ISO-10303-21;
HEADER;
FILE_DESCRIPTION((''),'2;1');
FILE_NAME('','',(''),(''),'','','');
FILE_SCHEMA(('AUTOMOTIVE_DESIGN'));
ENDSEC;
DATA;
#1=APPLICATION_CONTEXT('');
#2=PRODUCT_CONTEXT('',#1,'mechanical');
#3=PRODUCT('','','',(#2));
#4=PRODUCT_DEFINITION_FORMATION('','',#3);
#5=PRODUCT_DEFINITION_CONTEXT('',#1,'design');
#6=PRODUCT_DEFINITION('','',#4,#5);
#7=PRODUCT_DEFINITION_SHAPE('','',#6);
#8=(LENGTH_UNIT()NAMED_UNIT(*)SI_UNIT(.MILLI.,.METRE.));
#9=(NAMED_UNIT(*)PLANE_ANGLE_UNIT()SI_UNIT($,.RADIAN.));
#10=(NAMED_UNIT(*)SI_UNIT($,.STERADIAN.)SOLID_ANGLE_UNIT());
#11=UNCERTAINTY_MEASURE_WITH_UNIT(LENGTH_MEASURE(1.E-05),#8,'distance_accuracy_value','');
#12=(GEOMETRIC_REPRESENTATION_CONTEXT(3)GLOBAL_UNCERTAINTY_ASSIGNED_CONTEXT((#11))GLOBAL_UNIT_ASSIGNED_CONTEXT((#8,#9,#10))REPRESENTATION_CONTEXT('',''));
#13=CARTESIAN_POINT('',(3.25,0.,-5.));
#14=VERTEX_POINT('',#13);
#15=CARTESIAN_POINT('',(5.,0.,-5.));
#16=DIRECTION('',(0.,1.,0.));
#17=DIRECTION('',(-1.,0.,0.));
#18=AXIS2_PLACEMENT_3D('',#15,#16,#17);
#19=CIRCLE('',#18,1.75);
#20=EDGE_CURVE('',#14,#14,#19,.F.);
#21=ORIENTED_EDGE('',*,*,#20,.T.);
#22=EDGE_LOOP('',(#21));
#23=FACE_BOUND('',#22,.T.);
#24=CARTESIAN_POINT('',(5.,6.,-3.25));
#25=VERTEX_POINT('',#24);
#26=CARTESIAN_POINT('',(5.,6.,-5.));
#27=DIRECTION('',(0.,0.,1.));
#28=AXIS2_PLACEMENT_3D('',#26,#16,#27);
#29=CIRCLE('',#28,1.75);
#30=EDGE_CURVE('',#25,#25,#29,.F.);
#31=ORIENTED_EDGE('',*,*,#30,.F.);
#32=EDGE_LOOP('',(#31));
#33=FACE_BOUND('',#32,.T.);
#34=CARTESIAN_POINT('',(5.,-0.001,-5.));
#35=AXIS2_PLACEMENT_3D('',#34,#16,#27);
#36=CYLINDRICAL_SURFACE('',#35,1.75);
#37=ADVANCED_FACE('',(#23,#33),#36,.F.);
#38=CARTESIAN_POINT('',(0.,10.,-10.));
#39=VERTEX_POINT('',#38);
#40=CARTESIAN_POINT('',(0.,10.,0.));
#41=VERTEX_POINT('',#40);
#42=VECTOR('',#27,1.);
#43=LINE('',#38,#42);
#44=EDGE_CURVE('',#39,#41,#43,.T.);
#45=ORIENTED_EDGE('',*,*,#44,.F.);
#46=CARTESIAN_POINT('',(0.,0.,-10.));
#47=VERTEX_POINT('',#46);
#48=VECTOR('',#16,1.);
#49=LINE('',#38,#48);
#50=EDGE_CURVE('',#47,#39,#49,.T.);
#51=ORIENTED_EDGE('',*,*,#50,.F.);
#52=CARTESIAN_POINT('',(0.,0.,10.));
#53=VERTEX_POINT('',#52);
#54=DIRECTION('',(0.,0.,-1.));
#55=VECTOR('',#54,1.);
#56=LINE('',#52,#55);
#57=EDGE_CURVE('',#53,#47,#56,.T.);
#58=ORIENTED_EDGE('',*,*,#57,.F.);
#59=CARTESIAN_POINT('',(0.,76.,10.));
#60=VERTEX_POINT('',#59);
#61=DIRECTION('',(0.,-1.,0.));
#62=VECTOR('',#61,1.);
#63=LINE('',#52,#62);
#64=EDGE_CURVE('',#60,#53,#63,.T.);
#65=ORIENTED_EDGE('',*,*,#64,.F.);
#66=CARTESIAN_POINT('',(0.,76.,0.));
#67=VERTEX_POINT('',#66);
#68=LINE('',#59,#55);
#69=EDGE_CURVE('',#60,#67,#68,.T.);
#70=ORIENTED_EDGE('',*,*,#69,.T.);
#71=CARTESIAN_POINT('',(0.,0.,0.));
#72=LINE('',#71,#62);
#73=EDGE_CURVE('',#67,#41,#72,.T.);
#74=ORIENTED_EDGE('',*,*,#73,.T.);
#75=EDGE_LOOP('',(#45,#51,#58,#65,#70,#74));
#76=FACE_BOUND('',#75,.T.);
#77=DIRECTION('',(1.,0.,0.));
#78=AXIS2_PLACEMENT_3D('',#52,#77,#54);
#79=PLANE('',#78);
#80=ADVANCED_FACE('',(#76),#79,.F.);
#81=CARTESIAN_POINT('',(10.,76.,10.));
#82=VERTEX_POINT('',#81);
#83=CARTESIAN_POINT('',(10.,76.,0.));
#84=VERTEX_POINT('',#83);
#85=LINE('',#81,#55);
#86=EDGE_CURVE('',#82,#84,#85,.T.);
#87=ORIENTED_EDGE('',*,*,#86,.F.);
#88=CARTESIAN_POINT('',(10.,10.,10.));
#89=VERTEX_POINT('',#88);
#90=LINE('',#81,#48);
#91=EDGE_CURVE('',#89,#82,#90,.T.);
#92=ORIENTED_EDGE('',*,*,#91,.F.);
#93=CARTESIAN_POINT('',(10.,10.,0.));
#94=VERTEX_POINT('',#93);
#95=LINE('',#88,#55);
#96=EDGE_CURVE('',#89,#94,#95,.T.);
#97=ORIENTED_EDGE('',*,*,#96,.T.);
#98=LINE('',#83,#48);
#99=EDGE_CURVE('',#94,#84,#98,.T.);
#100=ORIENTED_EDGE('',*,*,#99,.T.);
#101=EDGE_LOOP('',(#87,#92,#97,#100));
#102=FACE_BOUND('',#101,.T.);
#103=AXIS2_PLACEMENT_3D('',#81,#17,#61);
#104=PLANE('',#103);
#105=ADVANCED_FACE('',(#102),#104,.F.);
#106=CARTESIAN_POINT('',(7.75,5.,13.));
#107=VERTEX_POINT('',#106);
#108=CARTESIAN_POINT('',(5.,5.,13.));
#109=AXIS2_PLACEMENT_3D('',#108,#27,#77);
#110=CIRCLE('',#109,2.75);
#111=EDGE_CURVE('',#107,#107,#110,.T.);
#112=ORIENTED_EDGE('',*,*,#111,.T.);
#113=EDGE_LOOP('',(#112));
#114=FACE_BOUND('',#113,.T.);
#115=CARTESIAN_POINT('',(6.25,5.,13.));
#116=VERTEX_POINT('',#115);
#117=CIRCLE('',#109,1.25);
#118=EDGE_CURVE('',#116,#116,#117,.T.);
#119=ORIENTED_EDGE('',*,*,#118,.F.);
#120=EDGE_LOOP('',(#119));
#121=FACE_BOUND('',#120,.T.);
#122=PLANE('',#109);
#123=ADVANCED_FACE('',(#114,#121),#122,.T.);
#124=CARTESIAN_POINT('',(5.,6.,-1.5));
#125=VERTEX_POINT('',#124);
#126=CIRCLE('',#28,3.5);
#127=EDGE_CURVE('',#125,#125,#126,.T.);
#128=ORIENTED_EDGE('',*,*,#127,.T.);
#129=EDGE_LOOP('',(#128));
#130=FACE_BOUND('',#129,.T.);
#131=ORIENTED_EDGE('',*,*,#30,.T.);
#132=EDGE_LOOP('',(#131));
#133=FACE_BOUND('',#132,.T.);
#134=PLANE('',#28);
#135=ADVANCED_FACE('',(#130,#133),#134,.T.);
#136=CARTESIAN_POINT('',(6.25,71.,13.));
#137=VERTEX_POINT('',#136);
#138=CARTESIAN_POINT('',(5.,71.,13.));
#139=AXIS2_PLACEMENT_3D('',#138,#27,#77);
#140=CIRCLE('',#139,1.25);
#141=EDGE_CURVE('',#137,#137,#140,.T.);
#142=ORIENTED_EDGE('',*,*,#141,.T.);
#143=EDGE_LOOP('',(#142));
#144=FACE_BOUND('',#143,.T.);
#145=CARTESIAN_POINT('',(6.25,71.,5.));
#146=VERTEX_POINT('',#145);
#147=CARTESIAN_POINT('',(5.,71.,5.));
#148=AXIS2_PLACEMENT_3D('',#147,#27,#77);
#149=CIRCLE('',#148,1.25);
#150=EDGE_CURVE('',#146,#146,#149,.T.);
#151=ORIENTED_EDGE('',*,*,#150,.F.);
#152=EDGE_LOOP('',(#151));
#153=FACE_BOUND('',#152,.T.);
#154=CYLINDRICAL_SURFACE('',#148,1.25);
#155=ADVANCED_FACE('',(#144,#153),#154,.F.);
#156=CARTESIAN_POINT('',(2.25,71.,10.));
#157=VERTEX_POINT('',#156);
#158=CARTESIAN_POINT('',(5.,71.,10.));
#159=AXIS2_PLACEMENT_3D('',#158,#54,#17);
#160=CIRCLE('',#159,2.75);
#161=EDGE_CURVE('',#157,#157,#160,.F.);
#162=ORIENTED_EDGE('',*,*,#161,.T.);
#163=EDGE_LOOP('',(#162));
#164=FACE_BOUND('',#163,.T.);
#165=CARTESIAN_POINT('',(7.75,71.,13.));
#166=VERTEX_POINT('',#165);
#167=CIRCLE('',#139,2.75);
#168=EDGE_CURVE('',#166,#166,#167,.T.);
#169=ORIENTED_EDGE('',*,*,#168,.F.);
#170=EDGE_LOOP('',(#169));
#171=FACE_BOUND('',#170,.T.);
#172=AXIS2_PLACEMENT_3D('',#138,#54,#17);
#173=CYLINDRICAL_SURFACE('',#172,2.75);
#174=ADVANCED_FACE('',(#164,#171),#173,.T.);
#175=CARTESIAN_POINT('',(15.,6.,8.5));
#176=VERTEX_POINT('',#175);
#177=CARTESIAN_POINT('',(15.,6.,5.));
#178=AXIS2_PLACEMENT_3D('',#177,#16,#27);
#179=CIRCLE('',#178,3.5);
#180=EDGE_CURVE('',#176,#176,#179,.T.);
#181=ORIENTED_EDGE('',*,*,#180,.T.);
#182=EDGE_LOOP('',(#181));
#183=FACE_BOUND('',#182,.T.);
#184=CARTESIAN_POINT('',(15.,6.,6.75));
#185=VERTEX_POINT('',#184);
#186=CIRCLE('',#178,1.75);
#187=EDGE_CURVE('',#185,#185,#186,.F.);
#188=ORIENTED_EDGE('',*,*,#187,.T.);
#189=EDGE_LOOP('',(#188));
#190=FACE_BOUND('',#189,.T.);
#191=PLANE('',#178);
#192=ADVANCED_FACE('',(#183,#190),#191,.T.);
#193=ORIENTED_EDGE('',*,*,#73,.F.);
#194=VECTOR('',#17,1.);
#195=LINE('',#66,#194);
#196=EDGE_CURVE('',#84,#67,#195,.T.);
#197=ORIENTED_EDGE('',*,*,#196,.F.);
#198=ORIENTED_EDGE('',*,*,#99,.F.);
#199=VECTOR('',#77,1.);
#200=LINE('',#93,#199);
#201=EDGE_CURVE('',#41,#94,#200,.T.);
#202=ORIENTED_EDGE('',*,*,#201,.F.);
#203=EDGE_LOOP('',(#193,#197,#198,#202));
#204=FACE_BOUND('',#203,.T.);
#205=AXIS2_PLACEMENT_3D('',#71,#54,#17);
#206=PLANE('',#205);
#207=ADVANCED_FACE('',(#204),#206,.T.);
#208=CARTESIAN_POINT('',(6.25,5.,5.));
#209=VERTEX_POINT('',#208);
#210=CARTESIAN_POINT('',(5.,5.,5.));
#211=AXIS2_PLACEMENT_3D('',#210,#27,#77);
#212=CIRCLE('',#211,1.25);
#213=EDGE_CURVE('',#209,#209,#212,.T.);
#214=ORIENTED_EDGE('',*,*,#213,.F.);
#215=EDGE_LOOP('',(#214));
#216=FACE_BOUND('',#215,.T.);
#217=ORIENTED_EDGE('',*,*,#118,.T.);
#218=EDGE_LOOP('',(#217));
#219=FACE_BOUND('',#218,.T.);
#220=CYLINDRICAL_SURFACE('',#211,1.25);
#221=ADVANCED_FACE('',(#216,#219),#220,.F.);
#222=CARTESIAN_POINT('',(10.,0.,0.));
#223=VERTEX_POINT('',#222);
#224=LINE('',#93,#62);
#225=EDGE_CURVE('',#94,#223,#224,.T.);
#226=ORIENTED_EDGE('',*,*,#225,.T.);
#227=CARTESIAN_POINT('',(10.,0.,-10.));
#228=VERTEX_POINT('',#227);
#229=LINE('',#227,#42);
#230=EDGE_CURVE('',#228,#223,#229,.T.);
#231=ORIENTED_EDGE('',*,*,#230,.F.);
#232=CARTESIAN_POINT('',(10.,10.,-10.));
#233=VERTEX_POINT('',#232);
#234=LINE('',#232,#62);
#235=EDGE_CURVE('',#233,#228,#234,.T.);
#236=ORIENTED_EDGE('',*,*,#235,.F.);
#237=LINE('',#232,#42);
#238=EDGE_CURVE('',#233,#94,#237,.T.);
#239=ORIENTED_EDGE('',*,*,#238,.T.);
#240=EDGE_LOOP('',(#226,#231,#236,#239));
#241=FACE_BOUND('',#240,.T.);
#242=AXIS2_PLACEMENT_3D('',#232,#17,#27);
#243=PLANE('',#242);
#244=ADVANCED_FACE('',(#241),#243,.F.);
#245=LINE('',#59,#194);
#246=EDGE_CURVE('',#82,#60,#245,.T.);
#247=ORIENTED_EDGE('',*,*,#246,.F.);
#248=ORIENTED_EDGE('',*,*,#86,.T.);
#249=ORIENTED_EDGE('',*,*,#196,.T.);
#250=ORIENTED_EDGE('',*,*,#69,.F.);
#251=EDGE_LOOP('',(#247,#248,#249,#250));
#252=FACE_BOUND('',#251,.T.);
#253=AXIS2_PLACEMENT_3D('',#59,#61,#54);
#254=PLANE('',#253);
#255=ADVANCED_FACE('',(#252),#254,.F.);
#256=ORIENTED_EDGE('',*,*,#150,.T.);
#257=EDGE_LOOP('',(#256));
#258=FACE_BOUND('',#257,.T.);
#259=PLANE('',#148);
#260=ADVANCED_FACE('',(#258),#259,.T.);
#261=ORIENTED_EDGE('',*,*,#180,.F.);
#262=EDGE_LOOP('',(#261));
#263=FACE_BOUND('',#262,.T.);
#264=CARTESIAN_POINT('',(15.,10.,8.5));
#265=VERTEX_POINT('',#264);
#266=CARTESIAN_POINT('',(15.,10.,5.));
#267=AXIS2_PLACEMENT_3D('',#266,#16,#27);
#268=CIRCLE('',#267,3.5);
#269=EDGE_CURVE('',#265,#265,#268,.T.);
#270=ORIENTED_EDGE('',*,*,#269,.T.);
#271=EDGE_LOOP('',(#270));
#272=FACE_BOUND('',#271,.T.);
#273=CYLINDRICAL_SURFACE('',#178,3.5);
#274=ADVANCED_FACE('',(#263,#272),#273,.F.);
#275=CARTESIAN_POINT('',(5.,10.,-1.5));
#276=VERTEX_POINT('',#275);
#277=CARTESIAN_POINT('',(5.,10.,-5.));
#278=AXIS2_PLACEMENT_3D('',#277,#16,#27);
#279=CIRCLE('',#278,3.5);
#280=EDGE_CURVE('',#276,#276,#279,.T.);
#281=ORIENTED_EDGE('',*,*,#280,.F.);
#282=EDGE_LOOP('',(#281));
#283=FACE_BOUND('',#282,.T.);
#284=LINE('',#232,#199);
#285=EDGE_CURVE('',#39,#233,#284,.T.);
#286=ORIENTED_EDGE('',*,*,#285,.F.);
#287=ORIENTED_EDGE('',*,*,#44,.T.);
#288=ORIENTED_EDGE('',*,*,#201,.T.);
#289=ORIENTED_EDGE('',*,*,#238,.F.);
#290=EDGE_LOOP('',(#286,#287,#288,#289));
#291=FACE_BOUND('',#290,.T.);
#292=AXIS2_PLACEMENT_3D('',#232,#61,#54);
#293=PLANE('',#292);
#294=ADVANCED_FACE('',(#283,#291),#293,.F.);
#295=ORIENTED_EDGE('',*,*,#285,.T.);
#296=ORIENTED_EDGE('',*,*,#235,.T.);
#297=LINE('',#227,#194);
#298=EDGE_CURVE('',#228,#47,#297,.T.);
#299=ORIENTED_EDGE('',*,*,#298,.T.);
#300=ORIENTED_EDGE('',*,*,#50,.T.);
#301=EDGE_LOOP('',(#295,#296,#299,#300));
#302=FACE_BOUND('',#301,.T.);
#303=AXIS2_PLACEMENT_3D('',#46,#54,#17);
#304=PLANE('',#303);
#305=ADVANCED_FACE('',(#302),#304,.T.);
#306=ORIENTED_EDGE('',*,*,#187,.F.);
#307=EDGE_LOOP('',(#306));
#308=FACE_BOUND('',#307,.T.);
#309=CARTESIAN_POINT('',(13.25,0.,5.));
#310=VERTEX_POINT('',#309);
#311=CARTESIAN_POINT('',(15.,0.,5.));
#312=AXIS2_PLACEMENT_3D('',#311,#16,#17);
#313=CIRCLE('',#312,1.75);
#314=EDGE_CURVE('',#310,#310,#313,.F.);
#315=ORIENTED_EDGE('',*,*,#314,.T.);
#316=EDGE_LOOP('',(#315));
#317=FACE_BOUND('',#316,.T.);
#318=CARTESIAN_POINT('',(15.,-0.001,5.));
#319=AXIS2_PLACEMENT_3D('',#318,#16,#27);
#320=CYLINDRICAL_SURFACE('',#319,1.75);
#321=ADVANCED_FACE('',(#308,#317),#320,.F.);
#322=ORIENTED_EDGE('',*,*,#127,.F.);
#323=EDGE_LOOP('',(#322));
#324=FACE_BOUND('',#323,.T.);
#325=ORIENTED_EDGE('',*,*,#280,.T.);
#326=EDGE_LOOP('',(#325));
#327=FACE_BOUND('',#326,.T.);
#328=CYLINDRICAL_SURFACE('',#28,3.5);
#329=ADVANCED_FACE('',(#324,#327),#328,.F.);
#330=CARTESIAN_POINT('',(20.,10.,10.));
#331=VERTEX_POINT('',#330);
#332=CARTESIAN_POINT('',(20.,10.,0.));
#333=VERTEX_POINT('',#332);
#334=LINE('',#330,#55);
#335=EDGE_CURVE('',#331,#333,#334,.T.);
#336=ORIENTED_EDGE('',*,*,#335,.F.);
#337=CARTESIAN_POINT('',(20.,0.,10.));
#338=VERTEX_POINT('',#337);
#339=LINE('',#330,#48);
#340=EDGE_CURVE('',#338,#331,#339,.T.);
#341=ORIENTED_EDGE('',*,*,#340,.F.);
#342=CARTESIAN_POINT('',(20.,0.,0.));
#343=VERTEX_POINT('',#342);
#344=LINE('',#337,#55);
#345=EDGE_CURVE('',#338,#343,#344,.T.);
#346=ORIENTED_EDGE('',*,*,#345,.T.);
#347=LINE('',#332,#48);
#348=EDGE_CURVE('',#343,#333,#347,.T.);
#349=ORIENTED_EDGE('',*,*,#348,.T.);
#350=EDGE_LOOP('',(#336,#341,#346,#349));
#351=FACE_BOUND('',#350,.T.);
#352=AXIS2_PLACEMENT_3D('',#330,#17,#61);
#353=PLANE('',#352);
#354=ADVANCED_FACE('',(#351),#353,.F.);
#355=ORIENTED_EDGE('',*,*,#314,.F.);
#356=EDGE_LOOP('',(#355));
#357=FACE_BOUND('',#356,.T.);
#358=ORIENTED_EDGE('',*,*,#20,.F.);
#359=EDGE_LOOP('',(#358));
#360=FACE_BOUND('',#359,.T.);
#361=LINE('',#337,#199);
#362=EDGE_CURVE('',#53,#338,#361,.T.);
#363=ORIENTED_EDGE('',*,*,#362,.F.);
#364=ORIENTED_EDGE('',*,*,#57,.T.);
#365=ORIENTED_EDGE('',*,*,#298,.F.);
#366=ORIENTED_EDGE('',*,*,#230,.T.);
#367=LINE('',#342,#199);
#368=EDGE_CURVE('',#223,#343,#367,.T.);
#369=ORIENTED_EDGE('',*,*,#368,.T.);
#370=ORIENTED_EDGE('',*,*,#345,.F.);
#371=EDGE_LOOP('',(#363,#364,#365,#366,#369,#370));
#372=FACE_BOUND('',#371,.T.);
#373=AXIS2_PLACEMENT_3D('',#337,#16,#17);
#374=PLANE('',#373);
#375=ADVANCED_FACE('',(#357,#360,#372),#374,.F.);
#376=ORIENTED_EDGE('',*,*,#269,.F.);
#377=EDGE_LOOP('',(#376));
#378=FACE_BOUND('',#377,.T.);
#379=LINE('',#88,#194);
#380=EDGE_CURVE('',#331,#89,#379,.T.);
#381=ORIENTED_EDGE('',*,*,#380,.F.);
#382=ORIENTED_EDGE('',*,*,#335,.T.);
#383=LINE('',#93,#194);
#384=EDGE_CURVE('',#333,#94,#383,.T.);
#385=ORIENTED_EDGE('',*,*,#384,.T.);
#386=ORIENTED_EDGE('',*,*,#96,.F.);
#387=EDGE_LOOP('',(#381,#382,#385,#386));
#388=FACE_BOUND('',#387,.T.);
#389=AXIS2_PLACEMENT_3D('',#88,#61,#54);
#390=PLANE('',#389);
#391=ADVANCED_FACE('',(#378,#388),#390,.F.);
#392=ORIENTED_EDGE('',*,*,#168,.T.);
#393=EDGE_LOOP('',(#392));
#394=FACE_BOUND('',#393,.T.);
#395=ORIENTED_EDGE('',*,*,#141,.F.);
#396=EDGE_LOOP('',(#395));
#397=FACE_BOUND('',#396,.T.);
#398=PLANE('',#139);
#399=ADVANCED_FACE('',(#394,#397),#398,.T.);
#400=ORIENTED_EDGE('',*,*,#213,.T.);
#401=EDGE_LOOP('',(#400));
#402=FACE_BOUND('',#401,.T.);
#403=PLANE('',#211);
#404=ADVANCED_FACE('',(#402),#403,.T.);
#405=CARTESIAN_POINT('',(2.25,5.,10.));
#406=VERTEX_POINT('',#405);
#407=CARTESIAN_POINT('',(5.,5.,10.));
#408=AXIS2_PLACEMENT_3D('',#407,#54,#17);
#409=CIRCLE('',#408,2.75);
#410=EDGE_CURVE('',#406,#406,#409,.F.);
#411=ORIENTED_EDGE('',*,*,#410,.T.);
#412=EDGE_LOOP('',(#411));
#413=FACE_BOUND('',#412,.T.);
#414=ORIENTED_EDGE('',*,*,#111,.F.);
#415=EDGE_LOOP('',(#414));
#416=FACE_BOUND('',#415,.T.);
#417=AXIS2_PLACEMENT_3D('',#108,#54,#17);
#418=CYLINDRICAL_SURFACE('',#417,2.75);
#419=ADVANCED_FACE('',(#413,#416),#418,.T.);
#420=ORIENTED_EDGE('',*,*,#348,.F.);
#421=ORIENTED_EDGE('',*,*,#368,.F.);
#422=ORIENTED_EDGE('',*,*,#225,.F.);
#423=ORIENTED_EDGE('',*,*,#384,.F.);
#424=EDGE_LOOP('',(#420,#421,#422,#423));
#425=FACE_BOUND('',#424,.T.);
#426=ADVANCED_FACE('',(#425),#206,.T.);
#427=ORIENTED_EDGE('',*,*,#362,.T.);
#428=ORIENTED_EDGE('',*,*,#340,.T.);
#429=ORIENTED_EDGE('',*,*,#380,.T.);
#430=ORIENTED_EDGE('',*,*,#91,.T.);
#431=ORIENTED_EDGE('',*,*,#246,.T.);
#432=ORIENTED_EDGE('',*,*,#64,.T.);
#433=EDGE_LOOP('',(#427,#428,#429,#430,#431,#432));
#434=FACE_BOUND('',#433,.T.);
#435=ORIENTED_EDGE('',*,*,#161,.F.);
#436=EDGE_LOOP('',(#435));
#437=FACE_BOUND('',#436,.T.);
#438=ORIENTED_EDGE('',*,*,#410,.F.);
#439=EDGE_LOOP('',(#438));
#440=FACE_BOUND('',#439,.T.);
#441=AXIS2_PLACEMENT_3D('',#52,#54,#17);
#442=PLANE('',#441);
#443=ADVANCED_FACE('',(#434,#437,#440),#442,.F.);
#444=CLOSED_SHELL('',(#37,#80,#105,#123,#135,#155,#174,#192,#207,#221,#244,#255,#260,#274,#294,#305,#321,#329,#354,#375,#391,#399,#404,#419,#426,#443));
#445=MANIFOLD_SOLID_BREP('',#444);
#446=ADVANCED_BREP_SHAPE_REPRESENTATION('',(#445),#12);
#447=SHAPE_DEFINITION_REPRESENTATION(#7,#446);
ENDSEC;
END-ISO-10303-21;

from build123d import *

# Parameters (mm, degrees)
BOSS_EXTRU_1_DEPTH      = 10
ESQUISSE2_R             = 2.75
BOSS_EXTRU_2_DEPTH      = 3
ESQUISSE3_R             = 1.25
ENL_V_MAT_EXTRU_1_DEPTH = 8
ESQUISSE4_W             = 10
ESQUISSE4_H             = 10
BOSS_EXTRU_3_DEPTH      = 10
ENL_V_MAT_EXTRU_2_REACH = 72.178
ESQUISSE5_R             = 1.75
ESQUISSE6_R             = 3.5
ENL_V_MAT_EXTRU_3_DEPTH = 4


with BuildPart() as part:
    # Esquisse1 → Boss.-Extru.1 (new body)
    with BuildSketch(Plane.XY):
        Polygon((0, 76), (10, 76), (10, 10), (20, 10), (20, 0), (0, 0), align=None)
    extrude(amount=BOSS_EXTRU_1_DEPTH)

    # Esquisse2 → Boss.-Extru.2 (add)
    with BuildSketch(Plane.XY.offset(10)):
        with Locations(Location((5, 71, 0), (0, 0, 180))):
            Circle(ESQUISSE2_R)
        with Locations(Location((5, 5, 0), (0, 0, 180))):
            Circle(ESQUISSE2_R)
    extrude(amount=BOSS_EXTRU_2_DEPTH)

    # Esquisse3 → Enlèv. mat.-Extru.1 (cut)
    with BuildSketch(Plane.XY.offset(13)):
        with Locations((5, 71)):
            Circle(ESQUISSE3_R)
        with Locations((5, 5)):
            Circle(ESQUISSE3_R)
    extrude(amount=-ENL_V_MAT_EXTRU_1_DEPTH, mode=Mode.SUBTRACT)

    # Esquisse4 → Boss.-Extru.3 (add)
    with BuildSketch(Plane(origin=(0, 0, 0), x_dir=(-1, 0, 0), z_dir=(0, 0, -1))):
        with Locations((-5, 5)):
            Rectangle(ESQUISSE4_W, ESQUISSE4_H)
    extrude(amount=BOSS_EXTRU_3_DEPTH)

    # Esquisse5 → Enlèv. mat.-Extru.2 (cut, up to next)
    with BuildSketch(Plane(origin=(0, 10, 0), x_dir=(1, 0, 0), z_dir=(0, 1, 0)), mode=Mode.PRIVATE) as enl_v_mat_extru_2_sk1:
        with Locations(Location((15, -5, 0), (0, 0, 270))):
            Circle(ESQUISSE5_R)
    enl_v_mat_extru_2_tool1 = extrude(enl_v_mat_extru_2_sk1.sketch, amount=-ENL_V_MAT_EXTRU_2_REACH, mode=Mode.PRIVATE) & part.part
    # Esquisse5 → Enlèv. mat.-Extru.2 (cut, up to next)
    with BuildSketch(Plane(origin=(0, 10, 0), x_dir=(1, 0, 0), z_dir=(0, 1, 0)), mode=Mode.PRIVATE) as enl_v_mat_extru_2_sk2:
        with Locations(Location((5, 5, 0), (0, 0, 270))):
            Circle(ESQUISSE5_R)
    enl_v_mat_extru_2_tool2 = extrude(enl_v_mat_extru_2_sk2.sketch, amount=-ENL_V_MAT_EXTRU_2_REACH, mode=Mode.PRIVATE) & part.part
    add(enl_v_mat_extru_2_tool1.solids().sort_by_distance((15, 10, 5))[0], mode=Mode.SUBTRACT)
    add(enl_v_mat_extru_2_tool2.solids().sort_by_distance((5, 10, -5))[0], mode=Mode.SUBTRACT)

    # Esquisse6 → Enlèv. mat.-Extru.3 (cut)
    with BuildSketch(Plane(origin=(0, 10, 0), x_dir=(1, 0, 0), z_dir=(0, 1, 0))):
        with Locations(Location((15, -5, 0), (0, 0, 270))):
            Circle(ESQUISSE6_R)
        with Locations(Location((5, 5, 0), (0, 0, 270))):
            Circle(ESQUISSE6_R)
    extrude(amount=-ENL_V_MAT_EXTRU_3_DEPTH, mode=Mode.SUBTRACT)


solid = part.part
